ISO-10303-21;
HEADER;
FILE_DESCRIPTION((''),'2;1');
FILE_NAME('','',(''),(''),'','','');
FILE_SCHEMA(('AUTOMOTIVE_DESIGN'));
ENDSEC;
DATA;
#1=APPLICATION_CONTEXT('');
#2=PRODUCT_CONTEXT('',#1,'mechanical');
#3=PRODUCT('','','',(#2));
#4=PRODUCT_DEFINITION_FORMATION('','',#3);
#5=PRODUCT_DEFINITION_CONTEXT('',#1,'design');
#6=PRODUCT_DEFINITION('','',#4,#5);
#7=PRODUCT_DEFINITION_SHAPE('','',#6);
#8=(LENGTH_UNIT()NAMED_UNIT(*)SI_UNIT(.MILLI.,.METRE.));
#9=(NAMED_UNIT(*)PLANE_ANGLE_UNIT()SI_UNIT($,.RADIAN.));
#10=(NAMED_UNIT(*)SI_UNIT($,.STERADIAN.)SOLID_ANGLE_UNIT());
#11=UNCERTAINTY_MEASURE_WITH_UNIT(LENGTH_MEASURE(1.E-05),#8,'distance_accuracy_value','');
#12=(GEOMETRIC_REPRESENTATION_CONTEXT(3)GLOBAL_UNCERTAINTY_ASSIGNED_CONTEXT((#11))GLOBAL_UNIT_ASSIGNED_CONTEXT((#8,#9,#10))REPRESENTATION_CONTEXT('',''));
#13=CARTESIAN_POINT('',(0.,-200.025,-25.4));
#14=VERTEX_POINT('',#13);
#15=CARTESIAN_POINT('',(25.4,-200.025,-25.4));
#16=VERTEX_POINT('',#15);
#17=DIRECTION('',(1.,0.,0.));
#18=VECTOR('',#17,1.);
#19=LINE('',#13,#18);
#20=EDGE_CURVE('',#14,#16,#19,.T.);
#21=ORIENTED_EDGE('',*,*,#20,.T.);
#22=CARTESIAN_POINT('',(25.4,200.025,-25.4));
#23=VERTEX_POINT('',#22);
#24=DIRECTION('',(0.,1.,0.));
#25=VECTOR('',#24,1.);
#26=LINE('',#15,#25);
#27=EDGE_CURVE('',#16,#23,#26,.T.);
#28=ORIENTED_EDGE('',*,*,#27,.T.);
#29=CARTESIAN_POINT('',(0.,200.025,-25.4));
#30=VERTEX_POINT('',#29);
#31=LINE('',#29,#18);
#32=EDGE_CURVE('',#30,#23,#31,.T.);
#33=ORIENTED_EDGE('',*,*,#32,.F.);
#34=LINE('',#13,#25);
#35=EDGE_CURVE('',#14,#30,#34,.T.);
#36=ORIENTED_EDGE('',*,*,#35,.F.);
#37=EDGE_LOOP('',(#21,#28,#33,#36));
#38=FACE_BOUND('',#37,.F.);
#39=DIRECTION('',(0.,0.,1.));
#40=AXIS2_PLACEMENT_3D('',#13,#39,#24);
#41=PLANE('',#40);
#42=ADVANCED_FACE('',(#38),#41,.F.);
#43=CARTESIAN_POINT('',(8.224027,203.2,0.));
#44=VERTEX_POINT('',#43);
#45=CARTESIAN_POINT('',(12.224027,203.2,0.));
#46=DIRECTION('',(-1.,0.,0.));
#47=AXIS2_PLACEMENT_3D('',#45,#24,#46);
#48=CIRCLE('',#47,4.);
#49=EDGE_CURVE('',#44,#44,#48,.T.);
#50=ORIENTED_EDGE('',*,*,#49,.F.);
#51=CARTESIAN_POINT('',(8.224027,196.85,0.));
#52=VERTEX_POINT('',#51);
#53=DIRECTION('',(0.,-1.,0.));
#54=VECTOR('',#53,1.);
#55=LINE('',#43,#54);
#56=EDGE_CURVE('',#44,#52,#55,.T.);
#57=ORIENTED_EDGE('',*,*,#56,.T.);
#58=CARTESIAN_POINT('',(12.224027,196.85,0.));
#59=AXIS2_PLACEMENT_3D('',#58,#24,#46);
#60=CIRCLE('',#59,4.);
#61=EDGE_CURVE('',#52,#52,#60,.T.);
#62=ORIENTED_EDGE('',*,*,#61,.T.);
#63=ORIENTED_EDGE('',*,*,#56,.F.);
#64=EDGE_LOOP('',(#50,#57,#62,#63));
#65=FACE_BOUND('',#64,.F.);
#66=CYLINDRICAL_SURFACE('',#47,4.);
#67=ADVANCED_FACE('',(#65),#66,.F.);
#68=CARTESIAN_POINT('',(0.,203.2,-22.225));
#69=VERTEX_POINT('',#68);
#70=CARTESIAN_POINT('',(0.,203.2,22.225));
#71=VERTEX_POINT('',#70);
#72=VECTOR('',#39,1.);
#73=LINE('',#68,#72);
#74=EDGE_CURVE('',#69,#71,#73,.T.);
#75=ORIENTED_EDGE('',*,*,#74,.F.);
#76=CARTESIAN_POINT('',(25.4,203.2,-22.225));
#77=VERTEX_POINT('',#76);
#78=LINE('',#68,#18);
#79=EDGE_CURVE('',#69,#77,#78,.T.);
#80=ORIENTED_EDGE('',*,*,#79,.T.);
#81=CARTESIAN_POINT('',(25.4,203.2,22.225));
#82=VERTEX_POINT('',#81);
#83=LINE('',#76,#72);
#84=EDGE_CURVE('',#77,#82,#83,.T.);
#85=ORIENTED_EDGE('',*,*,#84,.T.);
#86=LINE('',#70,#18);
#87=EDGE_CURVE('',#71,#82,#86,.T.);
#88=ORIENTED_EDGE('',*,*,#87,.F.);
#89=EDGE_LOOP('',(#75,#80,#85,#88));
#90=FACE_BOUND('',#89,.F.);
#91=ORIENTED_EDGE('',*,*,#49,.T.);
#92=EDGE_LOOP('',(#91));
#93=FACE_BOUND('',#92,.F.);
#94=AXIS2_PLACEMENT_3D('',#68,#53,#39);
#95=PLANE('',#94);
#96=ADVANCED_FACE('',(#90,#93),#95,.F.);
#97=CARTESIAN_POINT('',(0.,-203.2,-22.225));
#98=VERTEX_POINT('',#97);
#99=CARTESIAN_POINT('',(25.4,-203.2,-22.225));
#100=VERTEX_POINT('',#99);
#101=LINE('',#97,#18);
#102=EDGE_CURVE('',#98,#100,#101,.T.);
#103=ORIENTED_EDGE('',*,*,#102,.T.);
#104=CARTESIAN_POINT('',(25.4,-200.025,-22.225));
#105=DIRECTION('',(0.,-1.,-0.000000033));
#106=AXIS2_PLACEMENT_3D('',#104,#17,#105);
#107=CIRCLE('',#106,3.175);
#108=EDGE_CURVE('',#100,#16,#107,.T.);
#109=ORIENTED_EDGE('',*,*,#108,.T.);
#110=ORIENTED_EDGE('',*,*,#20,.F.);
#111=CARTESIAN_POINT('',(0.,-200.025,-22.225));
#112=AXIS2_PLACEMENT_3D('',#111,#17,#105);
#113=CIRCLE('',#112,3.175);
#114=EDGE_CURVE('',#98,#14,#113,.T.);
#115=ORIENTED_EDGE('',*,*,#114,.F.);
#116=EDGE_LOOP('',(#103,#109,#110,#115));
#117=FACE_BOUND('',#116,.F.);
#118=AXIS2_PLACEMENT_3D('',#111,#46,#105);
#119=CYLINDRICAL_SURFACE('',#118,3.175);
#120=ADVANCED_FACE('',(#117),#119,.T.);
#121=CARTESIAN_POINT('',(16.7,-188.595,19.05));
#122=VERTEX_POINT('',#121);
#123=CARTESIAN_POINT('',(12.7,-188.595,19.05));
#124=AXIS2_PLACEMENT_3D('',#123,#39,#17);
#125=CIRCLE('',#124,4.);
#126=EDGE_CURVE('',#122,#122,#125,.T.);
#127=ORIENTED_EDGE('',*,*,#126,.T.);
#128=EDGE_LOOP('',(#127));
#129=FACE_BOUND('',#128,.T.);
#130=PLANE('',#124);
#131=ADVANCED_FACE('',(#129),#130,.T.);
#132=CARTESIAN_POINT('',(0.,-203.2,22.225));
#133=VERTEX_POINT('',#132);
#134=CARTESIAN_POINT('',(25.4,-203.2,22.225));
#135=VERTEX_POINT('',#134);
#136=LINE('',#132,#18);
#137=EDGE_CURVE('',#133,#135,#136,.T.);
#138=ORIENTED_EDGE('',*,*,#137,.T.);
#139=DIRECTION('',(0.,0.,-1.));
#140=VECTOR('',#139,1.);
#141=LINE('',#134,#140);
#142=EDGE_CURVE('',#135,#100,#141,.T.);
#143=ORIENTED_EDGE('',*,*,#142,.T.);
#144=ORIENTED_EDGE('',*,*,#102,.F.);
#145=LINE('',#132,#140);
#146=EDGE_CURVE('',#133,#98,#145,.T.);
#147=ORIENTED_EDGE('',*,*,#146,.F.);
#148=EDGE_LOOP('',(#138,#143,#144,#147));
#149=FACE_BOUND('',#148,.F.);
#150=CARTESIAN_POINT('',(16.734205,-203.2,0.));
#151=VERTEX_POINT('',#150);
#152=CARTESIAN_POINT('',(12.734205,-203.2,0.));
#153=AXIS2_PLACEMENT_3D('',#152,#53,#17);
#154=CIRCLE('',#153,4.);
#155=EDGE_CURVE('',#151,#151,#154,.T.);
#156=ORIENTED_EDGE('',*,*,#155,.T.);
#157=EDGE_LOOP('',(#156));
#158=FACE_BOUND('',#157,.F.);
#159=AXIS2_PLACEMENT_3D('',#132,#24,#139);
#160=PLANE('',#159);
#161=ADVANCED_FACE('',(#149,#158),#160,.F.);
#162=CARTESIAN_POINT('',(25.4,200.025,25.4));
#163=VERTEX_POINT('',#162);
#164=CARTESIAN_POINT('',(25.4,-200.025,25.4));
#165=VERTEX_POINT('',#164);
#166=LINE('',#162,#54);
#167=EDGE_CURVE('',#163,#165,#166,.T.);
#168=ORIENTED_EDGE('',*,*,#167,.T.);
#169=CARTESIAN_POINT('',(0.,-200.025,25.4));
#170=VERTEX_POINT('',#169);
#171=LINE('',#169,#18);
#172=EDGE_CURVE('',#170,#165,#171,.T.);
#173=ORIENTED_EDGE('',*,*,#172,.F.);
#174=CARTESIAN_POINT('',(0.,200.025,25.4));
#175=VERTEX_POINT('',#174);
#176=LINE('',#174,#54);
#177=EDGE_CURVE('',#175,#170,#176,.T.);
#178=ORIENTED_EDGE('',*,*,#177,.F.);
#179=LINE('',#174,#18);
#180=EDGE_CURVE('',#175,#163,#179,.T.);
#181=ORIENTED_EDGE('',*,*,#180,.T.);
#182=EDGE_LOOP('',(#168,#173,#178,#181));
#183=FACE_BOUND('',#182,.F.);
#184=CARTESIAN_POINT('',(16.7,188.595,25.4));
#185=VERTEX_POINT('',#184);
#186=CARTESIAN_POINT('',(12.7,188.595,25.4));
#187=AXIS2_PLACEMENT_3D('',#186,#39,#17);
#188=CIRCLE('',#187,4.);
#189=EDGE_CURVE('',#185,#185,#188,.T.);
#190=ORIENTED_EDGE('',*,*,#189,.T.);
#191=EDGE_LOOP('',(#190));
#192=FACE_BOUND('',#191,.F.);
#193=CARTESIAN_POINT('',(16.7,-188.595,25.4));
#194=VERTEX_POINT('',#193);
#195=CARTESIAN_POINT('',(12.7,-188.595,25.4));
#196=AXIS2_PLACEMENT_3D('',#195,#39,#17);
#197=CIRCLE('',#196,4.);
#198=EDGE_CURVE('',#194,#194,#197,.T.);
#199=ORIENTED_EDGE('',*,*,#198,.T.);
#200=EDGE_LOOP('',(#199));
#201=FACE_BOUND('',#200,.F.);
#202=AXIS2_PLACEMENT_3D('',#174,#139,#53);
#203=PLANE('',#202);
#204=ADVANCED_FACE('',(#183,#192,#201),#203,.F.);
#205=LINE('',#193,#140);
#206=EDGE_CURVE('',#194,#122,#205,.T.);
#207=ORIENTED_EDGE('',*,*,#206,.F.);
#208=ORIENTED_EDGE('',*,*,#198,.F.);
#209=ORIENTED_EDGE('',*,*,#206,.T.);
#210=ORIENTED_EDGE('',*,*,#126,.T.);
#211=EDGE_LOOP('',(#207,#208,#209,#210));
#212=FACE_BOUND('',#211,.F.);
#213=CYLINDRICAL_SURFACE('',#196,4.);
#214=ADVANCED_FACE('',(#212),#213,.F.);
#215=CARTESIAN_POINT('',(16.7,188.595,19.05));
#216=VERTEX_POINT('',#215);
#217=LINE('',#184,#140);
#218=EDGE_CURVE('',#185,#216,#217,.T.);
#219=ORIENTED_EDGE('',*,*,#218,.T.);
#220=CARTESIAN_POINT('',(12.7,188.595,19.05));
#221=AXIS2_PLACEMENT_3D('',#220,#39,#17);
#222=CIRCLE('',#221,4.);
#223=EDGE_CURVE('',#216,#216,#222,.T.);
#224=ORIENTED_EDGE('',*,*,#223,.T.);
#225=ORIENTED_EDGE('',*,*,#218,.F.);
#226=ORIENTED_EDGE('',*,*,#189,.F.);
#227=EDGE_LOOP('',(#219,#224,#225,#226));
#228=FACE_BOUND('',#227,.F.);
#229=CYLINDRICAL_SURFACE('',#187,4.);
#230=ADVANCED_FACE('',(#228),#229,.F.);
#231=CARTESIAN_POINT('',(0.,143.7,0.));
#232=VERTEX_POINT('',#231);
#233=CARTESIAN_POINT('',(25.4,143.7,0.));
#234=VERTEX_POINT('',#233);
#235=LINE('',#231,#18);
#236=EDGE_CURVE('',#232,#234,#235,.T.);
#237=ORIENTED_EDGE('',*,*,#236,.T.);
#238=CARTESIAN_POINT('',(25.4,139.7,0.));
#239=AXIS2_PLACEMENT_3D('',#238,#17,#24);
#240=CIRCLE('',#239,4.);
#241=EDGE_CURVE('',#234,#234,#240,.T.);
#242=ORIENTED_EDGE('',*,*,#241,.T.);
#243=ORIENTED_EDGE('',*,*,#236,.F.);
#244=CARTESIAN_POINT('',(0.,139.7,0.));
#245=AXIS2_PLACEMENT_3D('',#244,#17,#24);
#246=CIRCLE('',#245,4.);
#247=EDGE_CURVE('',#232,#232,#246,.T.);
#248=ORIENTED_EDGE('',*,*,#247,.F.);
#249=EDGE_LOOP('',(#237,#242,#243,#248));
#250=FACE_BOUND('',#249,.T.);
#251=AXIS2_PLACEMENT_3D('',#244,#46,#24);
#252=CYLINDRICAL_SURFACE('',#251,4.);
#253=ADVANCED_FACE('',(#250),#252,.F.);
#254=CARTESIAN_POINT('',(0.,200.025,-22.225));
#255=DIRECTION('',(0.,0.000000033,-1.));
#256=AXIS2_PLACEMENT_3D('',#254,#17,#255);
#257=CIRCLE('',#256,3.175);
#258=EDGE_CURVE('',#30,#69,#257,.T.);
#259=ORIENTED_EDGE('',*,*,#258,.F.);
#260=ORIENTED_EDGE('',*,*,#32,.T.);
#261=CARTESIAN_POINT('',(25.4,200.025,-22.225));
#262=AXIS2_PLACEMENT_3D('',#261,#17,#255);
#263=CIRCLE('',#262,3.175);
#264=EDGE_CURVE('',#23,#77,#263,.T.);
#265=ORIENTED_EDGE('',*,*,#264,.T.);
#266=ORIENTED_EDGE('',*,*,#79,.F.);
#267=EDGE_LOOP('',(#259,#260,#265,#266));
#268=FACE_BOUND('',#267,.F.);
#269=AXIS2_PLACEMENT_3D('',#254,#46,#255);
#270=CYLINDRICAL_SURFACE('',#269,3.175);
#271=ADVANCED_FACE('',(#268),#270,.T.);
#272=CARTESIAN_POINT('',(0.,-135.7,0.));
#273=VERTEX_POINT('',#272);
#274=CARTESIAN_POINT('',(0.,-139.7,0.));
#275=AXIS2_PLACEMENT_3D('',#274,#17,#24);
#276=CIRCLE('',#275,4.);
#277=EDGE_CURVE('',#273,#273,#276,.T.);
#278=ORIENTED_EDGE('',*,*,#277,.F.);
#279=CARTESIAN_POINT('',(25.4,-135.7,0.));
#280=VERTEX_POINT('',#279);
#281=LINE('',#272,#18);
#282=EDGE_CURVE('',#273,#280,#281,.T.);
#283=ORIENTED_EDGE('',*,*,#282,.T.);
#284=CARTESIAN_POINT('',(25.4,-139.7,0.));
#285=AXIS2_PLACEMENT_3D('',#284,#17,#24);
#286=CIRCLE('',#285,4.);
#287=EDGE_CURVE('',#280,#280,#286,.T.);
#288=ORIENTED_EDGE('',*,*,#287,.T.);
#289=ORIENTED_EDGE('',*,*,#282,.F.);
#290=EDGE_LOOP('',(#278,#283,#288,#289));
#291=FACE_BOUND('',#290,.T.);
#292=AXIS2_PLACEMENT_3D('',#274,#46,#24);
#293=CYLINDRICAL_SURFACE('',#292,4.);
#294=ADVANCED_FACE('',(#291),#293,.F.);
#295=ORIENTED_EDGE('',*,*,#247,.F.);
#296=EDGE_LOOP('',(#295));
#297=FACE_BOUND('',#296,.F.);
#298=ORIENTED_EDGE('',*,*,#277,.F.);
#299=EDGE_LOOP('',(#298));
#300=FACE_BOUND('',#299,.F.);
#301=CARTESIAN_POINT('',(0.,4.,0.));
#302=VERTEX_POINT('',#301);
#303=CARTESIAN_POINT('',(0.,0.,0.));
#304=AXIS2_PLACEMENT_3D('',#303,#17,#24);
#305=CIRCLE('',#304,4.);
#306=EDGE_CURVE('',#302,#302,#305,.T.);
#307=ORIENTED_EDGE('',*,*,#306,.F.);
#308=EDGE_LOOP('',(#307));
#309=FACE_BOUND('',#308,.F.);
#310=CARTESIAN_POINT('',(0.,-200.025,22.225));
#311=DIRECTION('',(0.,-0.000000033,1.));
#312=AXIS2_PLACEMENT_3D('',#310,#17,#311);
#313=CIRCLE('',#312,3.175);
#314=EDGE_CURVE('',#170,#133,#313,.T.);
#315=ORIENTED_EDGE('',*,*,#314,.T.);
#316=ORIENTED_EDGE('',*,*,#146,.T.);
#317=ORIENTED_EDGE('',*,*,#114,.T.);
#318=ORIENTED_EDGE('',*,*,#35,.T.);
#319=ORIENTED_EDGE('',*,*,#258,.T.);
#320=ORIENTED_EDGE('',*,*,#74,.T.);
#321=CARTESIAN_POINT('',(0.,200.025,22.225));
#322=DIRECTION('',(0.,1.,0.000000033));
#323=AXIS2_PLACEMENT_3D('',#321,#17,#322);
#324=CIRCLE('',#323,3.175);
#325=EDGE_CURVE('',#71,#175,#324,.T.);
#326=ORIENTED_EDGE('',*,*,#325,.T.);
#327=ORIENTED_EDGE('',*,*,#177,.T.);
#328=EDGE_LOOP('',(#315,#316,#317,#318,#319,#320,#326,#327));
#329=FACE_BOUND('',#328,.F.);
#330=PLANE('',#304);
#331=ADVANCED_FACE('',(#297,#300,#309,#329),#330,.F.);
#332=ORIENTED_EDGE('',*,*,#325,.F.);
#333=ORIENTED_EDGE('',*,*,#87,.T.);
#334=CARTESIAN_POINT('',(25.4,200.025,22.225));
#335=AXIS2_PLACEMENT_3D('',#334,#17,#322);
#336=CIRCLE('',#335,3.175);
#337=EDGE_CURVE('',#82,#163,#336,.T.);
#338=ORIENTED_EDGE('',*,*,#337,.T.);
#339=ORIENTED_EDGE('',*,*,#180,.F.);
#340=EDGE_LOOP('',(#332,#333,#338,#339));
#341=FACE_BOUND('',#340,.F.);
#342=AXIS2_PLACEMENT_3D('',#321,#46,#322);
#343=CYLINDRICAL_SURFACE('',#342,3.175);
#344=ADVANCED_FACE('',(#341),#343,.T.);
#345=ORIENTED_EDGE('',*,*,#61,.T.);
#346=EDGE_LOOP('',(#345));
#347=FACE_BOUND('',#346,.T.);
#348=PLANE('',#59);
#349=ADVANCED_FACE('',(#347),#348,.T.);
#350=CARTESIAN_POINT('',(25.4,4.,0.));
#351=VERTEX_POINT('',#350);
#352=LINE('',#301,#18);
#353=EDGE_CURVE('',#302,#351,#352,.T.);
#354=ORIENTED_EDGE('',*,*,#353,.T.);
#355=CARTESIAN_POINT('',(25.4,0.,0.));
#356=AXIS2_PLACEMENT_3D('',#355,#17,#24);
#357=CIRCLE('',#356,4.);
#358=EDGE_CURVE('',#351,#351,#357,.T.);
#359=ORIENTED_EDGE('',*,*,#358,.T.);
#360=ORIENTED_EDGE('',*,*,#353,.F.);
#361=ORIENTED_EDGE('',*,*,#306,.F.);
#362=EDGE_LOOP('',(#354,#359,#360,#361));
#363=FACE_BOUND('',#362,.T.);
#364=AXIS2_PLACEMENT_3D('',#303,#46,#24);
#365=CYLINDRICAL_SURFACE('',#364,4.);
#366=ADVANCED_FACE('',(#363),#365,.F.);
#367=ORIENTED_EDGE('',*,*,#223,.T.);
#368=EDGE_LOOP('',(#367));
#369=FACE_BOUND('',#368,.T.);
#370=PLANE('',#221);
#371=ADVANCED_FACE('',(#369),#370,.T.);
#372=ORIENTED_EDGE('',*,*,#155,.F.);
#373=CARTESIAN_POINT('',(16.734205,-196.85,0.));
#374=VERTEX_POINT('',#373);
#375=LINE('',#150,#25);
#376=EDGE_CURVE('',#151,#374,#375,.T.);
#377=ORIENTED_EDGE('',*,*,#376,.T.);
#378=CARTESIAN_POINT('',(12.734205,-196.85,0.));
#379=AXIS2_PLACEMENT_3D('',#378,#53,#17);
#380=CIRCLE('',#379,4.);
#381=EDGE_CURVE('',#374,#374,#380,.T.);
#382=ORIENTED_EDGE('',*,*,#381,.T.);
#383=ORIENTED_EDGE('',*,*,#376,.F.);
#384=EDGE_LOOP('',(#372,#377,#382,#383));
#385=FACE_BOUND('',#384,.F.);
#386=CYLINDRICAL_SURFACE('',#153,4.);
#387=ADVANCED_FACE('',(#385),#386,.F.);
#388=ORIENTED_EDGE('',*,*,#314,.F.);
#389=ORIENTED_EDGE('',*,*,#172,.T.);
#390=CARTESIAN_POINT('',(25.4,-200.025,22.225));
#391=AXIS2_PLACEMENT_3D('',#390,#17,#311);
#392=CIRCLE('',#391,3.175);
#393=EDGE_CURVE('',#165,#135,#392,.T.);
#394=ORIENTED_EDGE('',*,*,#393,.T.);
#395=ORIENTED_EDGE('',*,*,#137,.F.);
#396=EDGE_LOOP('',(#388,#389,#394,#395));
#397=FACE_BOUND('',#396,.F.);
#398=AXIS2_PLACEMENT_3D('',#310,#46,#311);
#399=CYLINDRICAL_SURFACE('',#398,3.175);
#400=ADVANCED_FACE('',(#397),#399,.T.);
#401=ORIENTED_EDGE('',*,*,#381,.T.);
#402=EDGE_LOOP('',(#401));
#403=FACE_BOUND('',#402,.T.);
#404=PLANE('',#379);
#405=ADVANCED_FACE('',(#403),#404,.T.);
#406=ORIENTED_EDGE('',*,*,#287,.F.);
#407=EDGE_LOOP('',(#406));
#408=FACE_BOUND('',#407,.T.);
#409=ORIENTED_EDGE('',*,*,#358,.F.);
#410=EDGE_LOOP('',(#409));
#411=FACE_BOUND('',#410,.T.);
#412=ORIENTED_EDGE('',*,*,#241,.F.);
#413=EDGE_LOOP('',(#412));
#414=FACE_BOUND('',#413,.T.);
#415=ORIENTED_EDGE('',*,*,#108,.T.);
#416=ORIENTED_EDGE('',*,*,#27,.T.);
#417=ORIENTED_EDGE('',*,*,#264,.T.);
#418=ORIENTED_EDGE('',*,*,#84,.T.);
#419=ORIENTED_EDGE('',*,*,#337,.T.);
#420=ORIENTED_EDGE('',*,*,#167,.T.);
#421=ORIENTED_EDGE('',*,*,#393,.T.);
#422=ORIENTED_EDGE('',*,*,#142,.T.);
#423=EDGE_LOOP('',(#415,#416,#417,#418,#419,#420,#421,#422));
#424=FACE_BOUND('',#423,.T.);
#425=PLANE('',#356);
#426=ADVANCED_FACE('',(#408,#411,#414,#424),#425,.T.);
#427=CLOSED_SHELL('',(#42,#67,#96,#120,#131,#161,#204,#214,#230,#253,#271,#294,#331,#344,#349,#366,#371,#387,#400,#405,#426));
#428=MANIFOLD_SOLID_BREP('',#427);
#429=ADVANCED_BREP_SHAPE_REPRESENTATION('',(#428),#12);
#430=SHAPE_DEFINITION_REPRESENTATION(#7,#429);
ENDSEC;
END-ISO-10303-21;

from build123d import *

# Parameters (mm, degrees)
F0_R     = 4
F1_DEPTH = 25.4
F2_R     = 4
F3_DEPTH = 6.35
F4_R     = 4
F5_DEPTH = 6.35
F6_R     = 4
F7_DEPTH = 6.35
F8_R     = 4
F9_DEPTH = 6.35


with BuildPart() as f1:
    # F0 (on Right) → F1 (new body)
    with BuildSketch(Plane.YZ):
        with BuildLine():
            ThreePointArc((203.2, 22.225), (202.270064, 24.470064), (200.025, 25.4))
            Line((200.025, 25.4), (-200.025, 25.4))
            ThreePointArc((-200.025, 25.4), (-202.270064, 24.470064), (-203.2, 22.225))
            Line((-203.2, 22.225), (-203.2, -22.225))
            ThreePointArc((-203.2, -22.225), (-202.270064, -24.470064), (-200.025, -25.4))
            Line((-200.025, -25.4), (200.025, -25.4))
            ThreePointArc((200.025, -25.4), (202.270064, -24.470064), (203.2, -22.225))
            Line((203.2, -22.225), (203.2, 22.225))
        make_face()
        with Locations((-139.7, 0)):
            Circle(F0_R, mode=Mode.SUBTRACT)
        Circle(F0_R, mode=Mode.SUBTRACT)
        with Locations((139.7, 0)):
            Circle(F0_R, mode=Mode.SUBTRACT)
    extrude(amount=F1_DEPTH)

    # F2 (on face) → F3 (cut)
    with BuildSketch(Plane.XZ.offset(203.2)):
        with Locations((12.734205, 0)):
            Circle(F2_R)
    extrude(amount=-F3_DEPTH, mode=Mode.SUBTRACT)

    # F4 (on face) → F5 (cut)
    with BuildSketch(Plane(origin=(0, 203.2, 0), x_dir=(-1, 0, 0), z_dir=(0, 1, 0))):
        with Locations((-12.224027, 0)):
            Circle(F4_R)
    extrude(amount=-F5_DEPTH, mode=Mode.SUBTRACT)

    # F6 (on face) → F7 (cut)
    with BuildSketch(Plane.XY.offset(25.4)):
        with Locations((12.7, -188.595)):
            Circle(F6_R)
    extrude(amount=-F7_DEPTH, mode=Mode.SUBTRACT)

    # F8 (on face) → F9 (cut)
    with BuildSketch(Plane.XY.offset(25.4)):
        with Locations((12.7, 188.595)):
            Circle(F8_R)
    extrude(amount=-F9_DEPTH, mode=Mode.SUBTRACT)


solid = f1.part
